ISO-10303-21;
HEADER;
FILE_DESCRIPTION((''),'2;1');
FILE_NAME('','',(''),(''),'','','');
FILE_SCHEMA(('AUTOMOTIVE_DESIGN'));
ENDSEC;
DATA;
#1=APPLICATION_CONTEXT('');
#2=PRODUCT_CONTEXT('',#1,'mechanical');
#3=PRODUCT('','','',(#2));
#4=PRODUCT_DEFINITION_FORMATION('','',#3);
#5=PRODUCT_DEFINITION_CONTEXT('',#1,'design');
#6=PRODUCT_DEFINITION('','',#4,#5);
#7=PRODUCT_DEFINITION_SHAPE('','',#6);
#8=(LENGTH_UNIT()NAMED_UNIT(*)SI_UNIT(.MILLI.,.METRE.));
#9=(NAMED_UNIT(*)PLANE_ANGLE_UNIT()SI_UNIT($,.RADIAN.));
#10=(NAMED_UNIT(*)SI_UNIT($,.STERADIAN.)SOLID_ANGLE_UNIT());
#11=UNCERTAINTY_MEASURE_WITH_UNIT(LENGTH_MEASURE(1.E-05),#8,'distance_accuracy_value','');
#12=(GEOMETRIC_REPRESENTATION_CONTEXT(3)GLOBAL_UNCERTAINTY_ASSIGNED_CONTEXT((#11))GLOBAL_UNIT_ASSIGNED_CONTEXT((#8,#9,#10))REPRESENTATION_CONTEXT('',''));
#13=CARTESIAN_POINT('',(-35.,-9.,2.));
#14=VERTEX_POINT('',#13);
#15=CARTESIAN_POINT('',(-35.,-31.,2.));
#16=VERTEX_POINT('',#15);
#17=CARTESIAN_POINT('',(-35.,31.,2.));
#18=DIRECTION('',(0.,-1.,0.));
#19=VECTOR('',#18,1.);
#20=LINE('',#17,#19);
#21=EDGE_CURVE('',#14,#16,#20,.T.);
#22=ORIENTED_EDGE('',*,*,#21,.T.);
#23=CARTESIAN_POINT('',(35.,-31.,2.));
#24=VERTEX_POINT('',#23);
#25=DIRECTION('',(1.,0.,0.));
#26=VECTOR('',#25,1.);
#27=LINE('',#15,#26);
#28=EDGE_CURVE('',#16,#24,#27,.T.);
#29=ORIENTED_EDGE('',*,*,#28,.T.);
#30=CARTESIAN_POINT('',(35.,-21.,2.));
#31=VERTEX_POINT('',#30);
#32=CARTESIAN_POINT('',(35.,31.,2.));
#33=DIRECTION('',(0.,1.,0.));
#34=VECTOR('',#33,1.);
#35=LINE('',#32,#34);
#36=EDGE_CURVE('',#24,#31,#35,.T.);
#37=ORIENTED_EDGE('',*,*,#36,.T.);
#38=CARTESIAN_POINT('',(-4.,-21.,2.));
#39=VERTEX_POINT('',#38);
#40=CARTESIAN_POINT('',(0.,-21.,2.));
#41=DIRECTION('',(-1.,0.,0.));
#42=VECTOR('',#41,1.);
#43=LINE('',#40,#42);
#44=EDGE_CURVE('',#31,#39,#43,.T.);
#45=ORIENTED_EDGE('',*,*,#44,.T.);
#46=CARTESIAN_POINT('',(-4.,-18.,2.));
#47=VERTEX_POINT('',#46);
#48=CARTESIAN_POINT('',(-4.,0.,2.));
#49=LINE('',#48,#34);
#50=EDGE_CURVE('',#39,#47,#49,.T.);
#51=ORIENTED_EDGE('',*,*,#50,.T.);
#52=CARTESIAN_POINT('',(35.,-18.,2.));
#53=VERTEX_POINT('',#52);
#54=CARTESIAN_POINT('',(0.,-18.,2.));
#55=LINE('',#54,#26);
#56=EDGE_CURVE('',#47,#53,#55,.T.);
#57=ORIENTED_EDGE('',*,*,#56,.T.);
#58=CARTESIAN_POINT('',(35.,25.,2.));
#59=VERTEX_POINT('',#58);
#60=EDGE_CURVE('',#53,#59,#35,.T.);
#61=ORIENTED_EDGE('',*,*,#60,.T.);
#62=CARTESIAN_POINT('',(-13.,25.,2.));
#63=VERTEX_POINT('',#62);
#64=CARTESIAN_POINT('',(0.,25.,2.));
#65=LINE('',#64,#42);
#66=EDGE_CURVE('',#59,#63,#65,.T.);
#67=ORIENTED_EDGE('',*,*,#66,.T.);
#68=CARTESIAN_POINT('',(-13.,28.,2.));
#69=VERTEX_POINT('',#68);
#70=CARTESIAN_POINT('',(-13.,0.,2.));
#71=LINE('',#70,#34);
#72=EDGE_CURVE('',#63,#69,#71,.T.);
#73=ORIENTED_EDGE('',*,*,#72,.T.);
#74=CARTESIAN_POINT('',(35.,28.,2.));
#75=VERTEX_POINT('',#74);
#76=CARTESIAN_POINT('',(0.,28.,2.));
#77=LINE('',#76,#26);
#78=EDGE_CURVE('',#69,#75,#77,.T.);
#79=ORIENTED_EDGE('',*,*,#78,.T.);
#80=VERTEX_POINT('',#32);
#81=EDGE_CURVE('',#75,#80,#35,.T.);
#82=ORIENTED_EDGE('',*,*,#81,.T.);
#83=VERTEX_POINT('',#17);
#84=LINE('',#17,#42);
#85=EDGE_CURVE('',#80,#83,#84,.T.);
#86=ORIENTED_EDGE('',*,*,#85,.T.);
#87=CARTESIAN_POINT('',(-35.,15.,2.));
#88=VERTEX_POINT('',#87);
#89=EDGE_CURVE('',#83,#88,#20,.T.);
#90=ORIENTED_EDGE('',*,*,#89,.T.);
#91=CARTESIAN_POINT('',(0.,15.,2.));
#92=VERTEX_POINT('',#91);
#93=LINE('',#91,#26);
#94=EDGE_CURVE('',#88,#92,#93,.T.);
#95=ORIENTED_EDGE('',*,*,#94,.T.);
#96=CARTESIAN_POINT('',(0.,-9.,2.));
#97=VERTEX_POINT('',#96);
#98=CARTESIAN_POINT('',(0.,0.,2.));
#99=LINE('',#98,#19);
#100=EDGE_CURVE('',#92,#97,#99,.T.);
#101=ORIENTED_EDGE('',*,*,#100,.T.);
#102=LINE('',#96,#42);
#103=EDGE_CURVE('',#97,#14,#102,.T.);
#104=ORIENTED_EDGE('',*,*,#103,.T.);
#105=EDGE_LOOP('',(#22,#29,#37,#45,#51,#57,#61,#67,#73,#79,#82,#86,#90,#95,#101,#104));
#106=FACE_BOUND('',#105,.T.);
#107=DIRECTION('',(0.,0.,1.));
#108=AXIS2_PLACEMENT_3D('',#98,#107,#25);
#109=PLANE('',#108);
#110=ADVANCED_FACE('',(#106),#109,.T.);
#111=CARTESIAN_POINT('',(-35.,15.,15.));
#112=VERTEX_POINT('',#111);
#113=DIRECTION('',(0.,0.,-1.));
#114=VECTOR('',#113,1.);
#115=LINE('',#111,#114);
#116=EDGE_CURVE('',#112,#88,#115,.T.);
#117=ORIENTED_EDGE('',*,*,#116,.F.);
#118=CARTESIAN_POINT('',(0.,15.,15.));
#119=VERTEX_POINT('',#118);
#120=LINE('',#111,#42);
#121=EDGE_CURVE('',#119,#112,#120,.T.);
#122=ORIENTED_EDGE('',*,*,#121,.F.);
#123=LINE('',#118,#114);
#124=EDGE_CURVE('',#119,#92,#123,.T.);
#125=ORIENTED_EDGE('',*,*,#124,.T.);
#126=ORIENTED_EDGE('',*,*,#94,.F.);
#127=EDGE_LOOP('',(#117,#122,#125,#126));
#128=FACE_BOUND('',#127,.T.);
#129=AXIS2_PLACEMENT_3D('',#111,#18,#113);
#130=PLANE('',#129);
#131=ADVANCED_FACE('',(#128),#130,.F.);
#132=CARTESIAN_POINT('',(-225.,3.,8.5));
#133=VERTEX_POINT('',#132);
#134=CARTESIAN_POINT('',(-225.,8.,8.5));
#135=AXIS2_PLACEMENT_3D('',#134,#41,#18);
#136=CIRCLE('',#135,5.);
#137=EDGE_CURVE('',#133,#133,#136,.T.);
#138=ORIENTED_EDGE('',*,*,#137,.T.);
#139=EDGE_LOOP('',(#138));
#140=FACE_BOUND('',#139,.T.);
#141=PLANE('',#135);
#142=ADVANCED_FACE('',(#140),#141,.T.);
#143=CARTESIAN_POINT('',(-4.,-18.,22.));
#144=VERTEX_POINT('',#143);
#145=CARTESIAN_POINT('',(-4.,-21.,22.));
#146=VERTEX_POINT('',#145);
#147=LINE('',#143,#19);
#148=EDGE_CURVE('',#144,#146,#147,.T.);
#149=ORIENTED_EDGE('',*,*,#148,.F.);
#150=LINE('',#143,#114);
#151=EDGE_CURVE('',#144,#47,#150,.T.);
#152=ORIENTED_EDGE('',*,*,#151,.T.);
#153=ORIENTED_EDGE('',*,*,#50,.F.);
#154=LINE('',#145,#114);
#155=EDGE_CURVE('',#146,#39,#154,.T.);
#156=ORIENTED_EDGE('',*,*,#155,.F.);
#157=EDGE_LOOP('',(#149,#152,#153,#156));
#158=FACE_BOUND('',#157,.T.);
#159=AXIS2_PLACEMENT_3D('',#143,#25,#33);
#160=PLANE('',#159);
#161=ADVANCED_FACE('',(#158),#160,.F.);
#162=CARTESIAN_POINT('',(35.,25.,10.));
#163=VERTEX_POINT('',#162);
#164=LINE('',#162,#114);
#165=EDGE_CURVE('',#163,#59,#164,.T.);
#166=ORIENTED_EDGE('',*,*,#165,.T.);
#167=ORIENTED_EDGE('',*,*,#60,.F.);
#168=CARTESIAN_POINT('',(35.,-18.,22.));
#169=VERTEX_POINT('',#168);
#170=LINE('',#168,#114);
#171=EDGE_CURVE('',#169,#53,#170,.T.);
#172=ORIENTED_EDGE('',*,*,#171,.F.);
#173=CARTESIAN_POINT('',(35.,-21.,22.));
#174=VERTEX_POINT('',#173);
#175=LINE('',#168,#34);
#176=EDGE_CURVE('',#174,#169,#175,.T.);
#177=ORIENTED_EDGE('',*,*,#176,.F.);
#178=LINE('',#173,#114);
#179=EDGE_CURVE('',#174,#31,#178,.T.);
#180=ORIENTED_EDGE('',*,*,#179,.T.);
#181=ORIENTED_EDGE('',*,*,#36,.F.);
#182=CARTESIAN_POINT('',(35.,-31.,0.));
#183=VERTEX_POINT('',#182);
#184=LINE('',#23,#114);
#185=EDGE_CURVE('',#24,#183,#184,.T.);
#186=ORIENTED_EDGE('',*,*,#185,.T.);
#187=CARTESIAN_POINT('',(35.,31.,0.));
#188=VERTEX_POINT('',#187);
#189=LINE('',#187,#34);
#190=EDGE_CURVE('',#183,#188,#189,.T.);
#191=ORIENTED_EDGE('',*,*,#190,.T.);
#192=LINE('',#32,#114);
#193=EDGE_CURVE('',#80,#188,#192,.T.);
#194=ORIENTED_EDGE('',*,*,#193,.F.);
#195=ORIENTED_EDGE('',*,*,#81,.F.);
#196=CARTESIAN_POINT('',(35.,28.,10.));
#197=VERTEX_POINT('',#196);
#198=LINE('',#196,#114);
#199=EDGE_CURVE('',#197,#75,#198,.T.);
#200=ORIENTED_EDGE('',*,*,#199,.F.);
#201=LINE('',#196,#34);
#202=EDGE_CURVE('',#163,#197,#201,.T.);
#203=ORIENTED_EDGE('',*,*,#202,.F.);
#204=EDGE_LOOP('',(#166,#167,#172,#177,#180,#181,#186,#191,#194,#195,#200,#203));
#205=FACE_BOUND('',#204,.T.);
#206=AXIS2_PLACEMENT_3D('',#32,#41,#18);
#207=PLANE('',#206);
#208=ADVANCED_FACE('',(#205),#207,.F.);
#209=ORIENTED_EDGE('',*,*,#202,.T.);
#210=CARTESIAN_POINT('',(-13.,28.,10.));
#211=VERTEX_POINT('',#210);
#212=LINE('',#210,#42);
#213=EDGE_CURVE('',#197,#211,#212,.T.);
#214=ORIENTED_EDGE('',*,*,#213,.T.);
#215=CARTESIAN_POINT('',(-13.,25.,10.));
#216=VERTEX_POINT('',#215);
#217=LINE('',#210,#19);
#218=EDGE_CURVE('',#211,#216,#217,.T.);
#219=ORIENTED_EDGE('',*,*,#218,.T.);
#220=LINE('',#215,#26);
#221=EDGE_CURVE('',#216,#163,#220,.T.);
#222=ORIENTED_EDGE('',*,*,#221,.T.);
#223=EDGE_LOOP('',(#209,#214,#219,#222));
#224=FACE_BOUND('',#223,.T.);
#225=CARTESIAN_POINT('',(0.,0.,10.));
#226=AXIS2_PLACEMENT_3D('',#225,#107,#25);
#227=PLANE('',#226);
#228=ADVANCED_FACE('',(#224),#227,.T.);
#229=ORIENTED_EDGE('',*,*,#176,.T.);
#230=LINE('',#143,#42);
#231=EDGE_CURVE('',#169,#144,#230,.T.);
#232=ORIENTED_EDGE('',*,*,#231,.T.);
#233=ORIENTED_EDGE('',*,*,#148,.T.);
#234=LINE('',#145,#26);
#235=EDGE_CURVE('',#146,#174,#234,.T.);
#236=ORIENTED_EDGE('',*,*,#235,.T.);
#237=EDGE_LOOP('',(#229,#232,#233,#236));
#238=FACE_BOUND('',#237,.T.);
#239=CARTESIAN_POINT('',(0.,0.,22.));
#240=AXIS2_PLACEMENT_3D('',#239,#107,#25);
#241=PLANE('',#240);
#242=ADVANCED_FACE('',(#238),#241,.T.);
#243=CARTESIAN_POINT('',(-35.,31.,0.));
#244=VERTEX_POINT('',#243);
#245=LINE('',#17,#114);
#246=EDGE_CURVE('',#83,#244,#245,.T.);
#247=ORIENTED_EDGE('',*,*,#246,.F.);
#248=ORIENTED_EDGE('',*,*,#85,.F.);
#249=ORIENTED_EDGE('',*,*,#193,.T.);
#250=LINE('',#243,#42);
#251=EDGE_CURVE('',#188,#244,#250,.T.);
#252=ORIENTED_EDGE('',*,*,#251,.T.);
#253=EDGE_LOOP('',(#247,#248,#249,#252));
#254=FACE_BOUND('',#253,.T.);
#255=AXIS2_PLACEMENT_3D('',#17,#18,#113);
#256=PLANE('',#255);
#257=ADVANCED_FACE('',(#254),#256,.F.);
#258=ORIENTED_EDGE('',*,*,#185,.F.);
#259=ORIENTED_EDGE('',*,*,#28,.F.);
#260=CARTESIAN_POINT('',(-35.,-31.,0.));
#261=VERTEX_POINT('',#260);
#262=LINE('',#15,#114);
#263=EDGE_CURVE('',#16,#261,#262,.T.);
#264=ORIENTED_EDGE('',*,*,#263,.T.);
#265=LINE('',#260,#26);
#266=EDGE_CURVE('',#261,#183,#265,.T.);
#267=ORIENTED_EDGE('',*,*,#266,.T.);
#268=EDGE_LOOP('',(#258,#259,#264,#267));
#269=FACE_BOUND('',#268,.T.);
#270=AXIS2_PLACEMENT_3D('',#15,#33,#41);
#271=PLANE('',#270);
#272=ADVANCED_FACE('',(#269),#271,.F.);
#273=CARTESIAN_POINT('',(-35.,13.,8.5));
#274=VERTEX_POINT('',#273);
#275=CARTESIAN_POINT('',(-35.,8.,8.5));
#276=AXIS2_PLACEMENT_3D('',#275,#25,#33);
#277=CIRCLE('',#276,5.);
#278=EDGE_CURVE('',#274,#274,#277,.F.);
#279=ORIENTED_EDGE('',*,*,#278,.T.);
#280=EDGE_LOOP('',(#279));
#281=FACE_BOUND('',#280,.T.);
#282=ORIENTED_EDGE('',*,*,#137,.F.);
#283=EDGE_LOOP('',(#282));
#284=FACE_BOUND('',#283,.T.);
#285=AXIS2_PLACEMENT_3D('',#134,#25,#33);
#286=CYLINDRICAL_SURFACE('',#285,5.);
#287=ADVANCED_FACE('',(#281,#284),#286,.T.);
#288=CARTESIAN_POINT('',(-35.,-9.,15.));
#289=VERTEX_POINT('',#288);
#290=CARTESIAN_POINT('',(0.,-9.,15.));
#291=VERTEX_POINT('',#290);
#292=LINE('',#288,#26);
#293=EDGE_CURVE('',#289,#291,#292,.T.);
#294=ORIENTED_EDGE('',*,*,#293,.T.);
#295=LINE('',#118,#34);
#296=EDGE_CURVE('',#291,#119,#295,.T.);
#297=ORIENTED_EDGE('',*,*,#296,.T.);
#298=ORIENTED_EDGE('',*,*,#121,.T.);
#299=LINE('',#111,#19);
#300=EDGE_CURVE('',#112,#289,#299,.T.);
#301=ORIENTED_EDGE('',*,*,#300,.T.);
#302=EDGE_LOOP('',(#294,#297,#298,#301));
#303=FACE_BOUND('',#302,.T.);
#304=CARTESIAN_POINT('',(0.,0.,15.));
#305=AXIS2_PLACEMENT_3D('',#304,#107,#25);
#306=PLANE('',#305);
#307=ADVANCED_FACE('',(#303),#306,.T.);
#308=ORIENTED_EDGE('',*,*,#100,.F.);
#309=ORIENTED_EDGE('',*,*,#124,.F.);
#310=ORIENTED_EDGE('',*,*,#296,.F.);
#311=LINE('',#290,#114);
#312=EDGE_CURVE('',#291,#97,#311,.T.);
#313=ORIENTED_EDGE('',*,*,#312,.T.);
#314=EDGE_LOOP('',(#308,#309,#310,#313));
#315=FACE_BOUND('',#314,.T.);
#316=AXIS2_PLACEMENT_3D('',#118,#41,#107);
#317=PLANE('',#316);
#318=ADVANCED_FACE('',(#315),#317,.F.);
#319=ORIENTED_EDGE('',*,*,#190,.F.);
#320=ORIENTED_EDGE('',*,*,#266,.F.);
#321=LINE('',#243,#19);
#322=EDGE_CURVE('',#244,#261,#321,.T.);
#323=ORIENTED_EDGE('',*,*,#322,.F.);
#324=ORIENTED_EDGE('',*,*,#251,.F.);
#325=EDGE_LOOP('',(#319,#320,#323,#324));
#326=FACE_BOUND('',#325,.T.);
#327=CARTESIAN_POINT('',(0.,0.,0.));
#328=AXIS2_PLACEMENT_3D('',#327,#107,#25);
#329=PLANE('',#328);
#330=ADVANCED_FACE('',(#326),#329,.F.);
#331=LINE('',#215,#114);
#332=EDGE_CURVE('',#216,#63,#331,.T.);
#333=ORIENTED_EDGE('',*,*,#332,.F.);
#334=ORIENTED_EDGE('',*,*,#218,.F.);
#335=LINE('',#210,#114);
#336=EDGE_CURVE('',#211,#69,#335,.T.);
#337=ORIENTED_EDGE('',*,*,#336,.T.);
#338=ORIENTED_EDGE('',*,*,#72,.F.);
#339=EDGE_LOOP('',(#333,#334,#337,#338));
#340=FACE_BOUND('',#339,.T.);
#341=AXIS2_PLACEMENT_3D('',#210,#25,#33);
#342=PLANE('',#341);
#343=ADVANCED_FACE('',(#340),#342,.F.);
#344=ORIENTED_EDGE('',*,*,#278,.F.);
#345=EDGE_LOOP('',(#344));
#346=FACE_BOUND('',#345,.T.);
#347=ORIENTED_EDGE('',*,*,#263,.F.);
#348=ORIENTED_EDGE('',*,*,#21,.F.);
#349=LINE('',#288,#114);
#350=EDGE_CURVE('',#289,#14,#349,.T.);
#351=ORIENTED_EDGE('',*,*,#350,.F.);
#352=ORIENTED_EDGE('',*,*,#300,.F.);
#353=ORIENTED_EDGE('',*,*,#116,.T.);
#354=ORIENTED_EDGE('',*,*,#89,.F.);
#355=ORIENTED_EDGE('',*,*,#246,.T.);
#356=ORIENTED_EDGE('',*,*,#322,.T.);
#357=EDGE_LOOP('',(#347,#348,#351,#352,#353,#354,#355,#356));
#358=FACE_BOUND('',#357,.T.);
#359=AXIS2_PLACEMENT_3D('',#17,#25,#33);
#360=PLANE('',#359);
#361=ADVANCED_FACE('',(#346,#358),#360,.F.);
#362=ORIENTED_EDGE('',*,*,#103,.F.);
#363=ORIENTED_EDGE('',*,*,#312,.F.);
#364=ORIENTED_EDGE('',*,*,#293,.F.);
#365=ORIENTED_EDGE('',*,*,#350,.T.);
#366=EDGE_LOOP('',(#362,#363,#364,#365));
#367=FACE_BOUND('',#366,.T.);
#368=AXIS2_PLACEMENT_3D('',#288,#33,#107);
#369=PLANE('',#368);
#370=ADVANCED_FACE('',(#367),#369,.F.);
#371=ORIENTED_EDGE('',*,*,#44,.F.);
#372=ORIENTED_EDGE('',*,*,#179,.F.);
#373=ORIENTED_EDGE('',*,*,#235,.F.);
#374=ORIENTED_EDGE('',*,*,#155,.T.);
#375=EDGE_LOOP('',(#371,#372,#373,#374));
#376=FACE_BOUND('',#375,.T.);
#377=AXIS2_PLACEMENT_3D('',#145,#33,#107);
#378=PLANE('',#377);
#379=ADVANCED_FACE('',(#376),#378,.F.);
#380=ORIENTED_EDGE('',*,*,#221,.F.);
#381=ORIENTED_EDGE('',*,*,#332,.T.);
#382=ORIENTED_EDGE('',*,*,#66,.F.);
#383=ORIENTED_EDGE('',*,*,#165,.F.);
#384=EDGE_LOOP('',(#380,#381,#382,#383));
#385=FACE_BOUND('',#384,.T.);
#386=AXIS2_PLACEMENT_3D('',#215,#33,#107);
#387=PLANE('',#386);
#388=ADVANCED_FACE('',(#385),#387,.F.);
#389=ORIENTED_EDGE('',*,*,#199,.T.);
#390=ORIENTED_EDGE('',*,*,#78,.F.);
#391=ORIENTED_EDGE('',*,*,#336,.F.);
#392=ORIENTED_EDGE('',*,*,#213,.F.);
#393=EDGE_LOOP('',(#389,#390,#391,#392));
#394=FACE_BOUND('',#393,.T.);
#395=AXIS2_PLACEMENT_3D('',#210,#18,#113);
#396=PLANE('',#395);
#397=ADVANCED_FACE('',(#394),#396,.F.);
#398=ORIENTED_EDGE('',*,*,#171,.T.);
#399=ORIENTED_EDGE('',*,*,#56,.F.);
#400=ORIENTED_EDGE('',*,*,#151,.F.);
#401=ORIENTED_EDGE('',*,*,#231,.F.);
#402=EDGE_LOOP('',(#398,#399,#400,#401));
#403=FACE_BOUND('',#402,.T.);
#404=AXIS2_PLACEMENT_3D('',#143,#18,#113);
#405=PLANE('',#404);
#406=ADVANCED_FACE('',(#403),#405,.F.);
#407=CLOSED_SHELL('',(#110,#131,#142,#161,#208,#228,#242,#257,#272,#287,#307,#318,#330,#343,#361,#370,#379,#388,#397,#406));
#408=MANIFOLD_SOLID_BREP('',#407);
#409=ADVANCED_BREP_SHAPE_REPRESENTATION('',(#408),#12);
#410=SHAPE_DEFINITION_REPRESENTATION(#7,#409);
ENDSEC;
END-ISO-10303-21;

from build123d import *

# Parameters (mm, degrees)
ESQUISSE1_W        = 70
ESQUISSE1_H        = 62
BOSS_EXTRU_1_DEPTH = 2
ESQUISSE2_W        = 35
ESQUISSE2_H        = 24
BOSS_EXTRU_2_DEPTH = 15
ESQUISSE3_W        = 39
ESQUISSE3_H        = 3
BOSS_EXTRU_3_DEPTH = 22
ESQUISSE4_W        = 48
ESQUISSE4_H        = 3
BOSS_EXTRU_4_DEPTH = 10
ESQUISSE5_R        = 5
BOSS_EXTRU_5_DEPTH = 190


with BuildPart() as part:
    # Esquisse1 → Boss.-Extru.1 (new body)
    with BuildSketch(Plane.XY):
        Rectangle(ESQUISSE1_W, ESQUISSE1_H)
    extrude(amount=BOSS_EXTRU_1_DEPTH)

    # Esquisse2 → Boss.-Extru.2 (add)
    with BuildSketch(Plane.XY):
        with Locations((-17.5, 3)):
            Rectangle(ESQUISSE2_W, ESQUISSE2_H)
    extrude(amount=BOSS_EXTRU_2_DEPTH)

    # Esquisse3 → Boss.-Extru.3 (add)
    with BuildSketch(Plane.XY):
        with Locations((15.5, -19.5)):
            Rectangle(ESQUISSE3_W, ESQUISSE3_H)
    extrude(amount=BOSS_EXTRU_3_DEPTH)

    # Esquisse4 → Boss.-Extru.4 (add)
    with BuildSketch(Plane.XY):
        with Locations((11, 26.5)):
            Rectangle(ESQUISSE4_W, ESQUISSE4_H)
    extrude(amount=BOSS_EXTRU_4_DEPTH)

    # Esquisse5 → Boss.-Extru.5 (add)
    with BuildSketch(Plane.ZY.offset(35)):
        with Locations(Location((8.5, 8, 0), (0, 0, 90))):
            Circle(ESQUISSE5_R)
    extrude(amount=BOSS_EXTRU_5_DEPTH)


solid = part.part
